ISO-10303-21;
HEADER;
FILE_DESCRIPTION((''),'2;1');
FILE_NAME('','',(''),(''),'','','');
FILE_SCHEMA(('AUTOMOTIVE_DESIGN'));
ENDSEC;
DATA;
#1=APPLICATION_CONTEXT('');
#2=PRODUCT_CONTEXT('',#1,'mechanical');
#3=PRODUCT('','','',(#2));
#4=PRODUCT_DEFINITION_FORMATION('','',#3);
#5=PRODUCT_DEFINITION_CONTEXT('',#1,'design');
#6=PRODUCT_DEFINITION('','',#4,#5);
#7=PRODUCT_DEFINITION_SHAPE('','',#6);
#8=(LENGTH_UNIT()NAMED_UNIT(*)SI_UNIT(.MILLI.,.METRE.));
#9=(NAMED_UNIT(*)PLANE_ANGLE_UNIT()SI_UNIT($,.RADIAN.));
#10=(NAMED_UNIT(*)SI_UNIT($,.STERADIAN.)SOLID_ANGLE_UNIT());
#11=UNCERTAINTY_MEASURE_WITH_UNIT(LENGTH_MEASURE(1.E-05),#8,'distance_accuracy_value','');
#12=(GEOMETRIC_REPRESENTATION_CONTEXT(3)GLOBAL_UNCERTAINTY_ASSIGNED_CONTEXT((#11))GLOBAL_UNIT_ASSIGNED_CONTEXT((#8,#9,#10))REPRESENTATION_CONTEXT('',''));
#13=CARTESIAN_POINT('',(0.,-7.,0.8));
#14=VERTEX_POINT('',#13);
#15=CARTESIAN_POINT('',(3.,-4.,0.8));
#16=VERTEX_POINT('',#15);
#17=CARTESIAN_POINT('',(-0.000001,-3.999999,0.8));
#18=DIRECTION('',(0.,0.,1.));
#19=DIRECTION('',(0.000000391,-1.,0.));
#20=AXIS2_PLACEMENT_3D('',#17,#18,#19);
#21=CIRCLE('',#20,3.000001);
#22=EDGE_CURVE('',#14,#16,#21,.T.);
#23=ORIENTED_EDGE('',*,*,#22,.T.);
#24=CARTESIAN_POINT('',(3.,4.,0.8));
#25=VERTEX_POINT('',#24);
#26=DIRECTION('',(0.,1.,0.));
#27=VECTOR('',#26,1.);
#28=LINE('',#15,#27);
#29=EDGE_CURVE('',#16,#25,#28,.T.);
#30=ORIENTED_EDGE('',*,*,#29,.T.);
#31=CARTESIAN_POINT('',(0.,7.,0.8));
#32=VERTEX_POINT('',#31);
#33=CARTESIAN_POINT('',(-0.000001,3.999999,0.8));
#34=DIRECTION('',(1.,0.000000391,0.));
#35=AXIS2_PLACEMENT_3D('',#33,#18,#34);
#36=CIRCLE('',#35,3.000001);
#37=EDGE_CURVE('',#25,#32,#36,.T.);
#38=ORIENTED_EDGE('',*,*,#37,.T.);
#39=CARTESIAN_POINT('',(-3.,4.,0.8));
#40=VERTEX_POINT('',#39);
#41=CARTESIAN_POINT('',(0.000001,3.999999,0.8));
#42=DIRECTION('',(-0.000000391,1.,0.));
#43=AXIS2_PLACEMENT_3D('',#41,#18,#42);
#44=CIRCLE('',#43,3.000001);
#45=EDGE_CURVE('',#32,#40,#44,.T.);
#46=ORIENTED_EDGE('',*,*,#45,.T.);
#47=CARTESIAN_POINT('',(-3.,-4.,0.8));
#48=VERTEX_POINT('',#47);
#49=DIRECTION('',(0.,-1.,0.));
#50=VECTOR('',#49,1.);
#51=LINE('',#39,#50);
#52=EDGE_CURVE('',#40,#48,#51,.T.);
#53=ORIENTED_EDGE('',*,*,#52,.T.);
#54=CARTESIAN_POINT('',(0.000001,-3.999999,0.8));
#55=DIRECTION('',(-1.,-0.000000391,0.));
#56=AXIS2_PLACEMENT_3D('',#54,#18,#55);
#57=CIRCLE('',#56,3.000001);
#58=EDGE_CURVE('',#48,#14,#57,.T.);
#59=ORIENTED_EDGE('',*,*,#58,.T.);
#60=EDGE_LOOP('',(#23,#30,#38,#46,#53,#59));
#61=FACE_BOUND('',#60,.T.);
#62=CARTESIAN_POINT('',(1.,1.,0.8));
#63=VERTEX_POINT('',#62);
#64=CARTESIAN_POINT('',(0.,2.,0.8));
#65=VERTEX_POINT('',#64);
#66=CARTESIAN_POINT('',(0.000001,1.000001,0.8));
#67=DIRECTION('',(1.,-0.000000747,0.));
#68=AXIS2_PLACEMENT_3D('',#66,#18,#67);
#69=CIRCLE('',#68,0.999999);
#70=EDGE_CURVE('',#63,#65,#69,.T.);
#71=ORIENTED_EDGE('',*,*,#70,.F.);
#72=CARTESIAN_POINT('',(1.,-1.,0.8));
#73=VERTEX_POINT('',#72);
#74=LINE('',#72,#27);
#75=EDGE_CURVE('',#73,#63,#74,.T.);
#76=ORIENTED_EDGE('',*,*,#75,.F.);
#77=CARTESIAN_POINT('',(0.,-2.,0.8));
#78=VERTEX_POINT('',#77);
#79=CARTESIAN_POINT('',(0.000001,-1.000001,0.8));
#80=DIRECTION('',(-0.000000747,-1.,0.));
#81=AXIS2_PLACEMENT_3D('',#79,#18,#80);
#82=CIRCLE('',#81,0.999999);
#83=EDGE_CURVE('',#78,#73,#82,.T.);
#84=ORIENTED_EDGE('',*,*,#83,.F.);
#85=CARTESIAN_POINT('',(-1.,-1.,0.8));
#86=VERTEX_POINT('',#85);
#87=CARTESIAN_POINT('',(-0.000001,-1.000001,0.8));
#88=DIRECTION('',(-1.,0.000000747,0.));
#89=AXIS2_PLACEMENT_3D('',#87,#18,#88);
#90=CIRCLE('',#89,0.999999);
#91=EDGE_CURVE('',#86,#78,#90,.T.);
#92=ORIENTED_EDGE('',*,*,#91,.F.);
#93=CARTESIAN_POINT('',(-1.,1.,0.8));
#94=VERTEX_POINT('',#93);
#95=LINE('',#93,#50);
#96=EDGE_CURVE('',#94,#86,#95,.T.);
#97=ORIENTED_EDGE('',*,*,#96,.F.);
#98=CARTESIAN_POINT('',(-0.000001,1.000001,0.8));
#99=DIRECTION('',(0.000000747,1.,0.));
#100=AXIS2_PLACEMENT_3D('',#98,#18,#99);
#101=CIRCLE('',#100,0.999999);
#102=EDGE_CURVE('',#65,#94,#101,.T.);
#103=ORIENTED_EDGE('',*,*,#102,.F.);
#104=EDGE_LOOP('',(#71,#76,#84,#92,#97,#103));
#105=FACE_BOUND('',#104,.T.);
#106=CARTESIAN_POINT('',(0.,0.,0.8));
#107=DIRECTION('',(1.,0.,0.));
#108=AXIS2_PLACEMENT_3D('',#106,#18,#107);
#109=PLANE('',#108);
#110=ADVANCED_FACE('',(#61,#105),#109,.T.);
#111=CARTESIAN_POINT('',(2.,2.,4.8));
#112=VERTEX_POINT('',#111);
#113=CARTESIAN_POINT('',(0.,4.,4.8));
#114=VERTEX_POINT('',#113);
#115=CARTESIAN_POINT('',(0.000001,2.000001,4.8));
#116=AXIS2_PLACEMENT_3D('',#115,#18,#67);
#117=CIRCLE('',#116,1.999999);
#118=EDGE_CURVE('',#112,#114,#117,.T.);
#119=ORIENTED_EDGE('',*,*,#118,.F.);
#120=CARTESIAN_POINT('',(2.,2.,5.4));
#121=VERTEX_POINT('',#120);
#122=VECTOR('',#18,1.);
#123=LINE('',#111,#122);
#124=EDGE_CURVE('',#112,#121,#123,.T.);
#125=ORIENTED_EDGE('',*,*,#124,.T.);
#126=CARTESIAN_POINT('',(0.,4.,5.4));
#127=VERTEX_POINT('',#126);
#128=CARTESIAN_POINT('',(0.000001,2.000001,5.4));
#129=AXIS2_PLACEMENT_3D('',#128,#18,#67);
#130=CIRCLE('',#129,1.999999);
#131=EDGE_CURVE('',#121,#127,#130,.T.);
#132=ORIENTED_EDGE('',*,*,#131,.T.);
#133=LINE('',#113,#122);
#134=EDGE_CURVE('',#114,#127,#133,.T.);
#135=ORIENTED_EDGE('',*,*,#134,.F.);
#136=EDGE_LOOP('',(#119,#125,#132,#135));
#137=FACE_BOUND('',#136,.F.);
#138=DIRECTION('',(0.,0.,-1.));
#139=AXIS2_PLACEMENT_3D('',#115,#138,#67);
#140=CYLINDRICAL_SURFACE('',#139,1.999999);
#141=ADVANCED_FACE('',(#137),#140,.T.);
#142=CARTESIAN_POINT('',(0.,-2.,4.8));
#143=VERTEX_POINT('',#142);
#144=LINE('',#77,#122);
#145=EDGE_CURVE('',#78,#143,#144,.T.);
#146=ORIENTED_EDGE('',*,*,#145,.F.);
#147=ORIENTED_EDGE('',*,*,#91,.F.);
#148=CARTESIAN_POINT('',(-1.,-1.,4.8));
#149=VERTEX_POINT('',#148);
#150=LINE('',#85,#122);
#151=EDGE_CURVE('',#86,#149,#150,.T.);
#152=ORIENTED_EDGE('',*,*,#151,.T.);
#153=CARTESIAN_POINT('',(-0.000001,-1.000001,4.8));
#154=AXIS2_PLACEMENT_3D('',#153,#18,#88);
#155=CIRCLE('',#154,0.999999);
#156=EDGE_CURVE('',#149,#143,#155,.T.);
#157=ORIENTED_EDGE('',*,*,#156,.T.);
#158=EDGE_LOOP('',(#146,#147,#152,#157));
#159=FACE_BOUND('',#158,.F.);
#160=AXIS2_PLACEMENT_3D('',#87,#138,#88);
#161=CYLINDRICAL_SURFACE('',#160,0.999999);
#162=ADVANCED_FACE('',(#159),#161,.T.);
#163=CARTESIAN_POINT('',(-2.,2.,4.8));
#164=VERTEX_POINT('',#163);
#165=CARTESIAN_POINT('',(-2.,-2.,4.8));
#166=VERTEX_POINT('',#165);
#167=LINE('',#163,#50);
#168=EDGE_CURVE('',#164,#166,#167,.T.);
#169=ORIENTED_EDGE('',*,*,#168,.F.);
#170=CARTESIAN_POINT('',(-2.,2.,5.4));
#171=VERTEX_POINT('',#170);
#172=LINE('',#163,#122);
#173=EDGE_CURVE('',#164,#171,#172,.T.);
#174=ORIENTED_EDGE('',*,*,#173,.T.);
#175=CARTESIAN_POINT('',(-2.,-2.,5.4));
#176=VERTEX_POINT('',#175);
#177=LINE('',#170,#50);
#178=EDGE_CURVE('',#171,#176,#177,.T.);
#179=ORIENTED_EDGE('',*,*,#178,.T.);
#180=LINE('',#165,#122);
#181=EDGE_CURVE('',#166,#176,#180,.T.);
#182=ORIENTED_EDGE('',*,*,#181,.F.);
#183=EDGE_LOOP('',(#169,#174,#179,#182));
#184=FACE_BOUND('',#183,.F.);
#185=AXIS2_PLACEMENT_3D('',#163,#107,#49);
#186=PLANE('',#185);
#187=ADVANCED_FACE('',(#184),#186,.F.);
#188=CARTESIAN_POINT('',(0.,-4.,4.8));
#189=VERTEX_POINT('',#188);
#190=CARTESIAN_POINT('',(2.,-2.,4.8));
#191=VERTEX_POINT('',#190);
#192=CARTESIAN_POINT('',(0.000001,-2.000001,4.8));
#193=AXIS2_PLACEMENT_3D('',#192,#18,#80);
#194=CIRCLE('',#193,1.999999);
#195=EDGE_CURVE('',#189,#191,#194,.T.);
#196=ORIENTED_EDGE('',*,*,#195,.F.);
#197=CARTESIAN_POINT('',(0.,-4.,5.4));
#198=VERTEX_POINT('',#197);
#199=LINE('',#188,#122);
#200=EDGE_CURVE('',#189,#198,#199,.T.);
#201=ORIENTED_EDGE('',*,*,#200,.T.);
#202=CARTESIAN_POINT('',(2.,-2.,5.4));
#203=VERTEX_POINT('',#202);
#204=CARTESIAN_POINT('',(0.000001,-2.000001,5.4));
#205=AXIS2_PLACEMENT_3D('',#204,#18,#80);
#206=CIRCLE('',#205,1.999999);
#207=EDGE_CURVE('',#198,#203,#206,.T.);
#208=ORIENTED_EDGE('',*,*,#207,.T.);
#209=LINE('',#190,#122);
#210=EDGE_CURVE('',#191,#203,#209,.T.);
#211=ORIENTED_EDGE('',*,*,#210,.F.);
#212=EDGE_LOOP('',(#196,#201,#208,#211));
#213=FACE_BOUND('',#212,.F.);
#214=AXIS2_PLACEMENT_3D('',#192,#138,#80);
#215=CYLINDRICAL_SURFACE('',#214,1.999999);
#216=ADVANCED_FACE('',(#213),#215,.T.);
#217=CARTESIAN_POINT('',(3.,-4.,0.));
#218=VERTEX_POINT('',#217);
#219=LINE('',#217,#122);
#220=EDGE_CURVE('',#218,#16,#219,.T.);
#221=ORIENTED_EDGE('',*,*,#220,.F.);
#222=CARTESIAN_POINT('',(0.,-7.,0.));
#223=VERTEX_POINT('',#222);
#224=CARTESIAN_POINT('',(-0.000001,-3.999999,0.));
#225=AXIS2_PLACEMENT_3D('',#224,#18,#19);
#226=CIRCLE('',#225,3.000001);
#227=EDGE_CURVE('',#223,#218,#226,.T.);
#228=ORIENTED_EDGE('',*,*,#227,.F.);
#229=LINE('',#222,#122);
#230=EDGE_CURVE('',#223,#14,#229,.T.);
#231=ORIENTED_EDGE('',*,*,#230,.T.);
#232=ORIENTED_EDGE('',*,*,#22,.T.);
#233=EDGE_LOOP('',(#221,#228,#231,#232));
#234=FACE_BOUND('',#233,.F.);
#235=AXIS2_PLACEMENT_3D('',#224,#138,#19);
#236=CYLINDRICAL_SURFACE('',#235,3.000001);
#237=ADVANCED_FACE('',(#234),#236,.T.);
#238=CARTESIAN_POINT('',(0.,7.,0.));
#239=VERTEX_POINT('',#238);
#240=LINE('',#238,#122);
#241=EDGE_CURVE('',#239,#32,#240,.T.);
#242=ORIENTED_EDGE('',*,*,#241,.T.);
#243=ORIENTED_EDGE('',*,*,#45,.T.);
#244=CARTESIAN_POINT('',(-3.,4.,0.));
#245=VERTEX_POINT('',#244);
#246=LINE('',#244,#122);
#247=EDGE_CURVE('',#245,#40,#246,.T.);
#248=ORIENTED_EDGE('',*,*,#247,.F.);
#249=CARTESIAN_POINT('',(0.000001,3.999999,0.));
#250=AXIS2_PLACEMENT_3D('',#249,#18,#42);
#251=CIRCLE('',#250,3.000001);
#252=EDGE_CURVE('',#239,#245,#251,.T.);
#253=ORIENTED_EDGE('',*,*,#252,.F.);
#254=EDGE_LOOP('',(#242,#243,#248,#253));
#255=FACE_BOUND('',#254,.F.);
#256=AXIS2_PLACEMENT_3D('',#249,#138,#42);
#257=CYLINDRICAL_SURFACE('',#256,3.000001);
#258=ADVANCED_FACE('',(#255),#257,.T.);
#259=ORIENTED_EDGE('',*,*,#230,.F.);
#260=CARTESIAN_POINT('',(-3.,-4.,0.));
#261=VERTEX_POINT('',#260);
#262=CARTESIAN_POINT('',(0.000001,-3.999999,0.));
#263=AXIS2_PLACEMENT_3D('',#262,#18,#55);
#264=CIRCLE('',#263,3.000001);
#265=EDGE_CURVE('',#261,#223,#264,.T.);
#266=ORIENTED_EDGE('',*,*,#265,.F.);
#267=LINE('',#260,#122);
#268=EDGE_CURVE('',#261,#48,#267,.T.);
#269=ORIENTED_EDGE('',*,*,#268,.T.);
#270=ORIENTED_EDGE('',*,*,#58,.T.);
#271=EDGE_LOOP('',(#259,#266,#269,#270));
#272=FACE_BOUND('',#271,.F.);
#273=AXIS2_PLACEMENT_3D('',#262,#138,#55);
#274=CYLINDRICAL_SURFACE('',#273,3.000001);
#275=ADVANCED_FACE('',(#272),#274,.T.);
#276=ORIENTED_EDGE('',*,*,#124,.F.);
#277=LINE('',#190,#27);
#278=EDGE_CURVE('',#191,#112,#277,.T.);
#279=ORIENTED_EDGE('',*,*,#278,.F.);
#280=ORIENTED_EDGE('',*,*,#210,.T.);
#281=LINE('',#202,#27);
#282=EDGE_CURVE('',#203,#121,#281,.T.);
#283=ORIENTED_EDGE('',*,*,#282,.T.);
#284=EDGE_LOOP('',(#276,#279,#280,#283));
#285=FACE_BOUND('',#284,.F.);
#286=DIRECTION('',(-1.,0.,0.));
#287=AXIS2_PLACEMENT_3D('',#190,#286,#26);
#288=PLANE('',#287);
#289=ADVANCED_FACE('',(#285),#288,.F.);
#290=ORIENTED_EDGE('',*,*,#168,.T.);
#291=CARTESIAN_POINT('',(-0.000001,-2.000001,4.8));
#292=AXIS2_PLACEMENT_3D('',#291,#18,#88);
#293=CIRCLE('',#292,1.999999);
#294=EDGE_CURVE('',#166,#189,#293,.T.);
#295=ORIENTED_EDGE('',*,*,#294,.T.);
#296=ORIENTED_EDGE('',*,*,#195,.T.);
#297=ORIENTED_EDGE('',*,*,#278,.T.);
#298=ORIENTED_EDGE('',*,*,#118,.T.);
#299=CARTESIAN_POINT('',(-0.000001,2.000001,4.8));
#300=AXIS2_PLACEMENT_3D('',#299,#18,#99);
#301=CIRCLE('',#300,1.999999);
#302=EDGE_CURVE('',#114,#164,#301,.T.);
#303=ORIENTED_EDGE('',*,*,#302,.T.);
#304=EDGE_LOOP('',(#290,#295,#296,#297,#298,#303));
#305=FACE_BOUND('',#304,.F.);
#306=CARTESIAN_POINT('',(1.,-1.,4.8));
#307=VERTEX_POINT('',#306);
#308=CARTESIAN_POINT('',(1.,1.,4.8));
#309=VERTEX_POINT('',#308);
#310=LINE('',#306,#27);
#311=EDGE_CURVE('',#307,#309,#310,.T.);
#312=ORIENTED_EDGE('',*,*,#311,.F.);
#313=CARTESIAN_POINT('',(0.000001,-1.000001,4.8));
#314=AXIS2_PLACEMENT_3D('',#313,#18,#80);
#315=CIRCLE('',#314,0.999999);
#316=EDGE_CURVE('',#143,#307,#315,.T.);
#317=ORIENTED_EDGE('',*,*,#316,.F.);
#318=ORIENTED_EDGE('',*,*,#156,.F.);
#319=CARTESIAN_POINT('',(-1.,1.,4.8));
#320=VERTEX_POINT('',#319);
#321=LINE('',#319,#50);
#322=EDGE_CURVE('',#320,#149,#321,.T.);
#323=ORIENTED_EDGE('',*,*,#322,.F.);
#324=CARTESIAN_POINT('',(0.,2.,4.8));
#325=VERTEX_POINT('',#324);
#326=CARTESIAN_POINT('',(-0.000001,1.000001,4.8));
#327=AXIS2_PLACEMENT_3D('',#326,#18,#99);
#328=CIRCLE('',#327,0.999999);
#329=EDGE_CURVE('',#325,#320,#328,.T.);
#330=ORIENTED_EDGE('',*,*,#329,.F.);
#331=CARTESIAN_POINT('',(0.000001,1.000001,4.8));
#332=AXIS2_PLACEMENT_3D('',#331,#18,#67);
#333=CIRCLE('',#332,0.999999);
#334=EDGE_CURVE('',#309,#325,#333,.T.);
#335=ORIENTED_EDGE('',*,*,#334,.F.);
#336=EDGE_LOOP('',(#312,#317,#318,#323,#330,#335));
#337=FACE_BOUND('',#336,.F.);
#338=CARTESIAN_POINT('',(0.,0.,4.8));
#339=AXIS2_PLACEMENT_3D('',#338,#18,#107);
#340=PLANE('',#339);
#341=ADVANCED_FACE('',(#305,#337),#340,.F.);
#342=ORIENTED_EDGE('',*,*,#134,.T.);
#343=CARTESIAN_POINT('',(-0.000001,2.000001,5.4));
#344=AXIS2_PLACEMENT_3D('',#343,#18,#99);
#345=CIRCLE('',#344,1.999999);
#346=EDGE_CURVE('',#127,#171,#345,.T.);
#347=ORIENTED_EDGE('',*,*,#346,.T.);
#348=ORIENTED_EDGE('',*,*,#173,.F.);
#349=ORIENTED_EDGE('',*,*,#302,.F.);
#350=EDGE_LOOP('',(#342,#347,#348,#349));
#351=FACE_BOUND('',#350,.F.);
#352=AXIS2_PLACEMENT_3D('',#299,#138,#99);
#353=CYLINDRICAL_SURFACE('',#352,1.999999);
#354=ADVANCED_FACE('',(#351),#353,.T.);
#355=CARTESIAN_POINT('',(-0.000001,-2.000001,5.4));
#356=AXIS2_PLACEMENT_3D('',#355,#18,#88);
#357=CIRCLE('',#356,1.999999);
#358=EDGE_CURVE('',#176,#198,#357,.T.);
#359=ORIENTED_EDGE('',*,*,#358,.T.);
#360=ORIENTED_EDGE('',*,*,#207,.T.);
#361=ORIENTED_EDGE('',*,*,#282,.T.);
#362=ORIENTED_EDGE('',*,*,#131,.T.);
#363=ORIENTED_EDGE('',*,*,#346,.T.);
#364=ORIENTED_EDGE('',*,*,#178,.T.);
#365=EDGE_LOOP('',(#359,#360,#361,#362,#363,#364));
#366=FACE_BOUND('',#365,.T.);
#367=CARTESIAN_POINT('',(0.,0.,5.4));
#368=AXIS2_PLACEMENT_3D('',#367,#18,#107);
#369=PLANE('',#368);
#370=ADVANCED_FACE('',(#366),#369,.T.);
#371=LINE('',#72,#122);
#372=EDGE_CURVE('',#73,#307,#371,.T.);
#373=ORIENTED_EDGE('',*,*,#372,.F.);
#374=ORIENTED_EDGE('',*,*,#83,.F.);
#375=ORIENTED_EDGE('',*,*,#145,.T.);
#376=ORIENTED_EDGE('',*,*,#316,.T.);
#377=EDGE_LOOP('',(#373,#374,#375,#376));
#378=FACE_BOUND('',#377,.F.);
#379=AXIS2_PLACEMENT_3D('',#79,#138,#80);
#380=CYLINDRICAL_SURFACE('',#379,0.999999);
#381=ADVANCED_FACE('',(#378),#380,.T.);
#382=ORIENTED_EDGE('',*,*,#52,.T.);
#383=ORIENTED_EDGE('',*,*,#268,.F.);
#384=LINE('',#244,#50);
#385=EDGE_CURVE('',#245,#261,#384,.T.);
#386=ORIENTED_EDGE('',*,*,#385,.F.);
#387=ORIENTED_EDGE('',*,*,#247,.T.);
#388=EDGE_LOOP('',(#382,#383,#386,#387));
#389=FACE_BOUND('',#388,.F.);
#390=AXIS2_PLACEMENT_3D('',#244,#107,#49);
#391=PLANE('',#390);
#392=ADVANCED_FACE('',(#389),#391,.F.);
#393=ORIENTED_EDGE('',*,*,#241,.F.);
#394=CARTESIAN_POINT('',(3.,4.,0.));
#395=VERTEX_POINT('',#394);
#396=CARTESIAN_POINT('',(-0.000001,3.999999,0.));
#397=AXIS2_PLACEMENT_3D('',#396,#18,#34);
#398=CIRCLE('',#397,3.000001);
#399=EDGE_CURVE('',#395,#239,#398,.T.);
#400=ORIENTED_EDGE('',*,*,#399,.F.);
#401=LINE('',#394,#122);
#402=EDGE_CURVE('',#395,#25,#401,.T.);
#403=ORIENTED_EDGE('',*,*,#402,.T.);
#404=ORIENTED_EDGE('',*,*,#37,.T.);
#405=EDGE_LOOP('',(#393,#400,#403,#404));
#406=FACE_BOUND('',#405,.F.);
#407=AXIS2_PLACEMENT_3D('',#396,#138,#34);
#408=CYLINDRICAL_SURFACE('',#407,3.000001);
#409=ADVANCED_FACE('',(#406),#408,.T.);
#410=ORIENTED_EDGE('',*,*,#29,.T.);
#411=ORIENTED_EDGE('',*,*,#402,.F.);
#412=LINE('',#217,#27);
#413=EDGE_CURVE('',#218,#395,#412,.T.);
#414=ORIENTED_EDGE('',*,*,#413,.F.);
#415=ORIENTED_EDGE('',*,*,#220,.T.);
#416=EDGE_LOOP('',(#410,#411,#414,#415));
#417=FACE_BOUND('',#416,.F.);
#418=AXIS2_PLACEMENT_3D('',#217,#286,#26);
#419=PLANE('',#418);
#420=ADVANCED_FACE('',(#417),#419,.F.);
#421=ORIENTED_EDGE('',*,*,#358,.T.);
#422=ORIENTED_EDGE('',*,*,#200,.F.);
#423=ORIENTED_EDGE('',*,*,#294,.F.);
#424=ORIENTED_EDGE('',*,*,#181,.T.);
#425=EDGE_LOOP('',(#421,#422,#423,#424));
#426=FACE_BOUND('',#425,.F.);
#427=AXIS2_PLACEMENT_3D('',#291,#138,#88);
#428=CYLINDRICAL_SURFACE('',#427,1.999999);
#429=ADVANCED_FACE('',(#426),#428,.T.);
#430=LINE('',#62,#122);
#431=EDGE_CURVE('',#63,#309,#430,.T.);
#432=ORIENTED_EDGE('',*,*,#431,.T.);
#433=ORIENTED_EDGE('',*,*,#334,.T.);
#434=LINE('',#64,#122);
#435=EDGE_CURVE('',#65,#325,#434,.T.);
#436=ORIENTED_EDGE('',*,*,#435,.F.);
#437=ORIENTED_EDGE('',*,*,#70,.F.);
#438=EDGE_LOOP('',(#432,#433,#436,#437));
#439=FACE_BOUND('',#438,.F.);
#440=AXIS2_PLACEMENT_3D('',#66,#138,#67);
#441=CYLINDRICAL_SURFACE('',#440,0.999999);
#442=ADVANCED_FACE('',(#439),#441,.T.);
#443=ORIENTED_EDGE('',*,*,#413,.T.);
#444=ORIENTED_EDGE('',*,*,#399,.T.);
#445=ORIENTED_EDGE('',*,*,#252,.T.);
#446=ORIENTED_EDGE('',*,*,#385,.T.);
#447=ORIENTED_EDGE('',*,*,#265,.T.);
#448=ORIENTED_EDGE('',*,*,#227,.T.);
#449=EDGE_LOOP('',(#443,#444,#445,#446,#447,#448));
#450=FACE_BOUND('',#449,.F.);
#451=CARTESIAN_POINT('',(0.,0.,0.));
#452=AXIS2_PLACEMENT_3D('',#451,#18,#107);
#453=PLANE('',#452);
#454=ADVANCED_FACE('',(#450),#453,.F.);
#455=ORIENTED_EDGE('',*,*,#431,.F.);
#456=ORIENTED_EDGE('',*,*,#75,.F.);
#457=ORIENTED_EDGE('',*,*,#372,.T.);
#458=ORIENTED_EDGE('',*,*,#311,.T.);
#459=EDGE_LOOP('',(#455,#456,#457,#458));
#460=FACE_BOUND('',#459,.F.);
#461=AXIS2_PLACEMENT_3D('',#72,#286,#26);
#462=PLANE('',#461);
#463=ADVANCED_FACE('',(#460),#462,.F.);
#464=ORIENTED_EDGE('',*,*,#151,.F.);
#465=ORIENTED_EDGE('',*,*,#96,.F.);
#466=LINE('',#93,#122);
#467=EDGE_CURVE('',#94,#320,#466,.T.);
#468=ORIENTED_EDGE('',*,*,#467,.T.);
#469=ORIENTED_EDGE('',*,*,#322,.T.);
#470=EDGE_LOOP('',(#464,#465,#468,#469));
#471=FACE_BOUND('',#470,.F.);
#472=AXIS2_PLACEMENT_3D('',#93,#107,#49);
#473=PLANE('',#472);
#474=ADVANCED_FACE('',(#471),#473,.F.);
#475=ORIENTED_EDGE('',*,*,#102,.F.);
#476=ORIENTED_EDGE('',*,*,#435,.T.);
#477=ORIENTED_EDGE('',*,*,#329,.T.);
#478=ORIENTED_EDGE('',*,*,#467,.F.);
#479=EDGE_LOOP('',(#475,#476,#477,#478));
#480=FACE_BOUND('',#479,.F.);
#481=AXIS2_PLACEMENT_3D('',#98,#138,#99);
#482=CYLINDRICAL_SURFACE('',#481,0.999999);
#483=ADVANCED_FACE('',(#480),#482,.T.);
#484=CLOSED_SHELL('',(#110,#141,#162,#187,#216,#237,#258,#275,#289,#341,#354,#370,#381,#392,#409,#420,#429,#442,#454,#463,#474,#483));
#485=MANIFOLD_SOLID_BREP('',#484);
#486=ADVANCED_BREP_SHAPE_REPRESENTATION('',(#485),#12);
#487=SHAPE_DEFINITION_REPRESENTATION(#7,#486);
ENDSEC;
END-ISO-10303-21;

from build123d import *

# Parameters (mm, degrees)
F1_DEPTH = 0.8
F3_DEPTH = 4
F5_DEPTH = 0.6


with BuildPart() as f1:
    # F0 (on Top) → F1 (new body)
    with BuildSketch(Plane.XY):
        with BuildLine():
            ThreePointArc((0, 7), (-2.12132, 6.12132), (-3, 4))
            Line((-3, 4), (-3, -4))
            ThreePointArc((-3, -4), (-2.12132, -6.12132), (0, -7))
            ThreePointArc((0, -7), (2.12132, -6.12132), (3, -4))
            Line((3, -4), (3, 4))
            ThreePointArc((3, 4), (2.12132, 6.12132), (0, 7))
        make_face()
    extrude(amount=F1_DEPTH)

    # F2 (on face) → F3 (join)
    with BuildSketch(Plane.XY.offset(0.8)):
        with BuildLine():
            ThreePointArc((0, 2), (-0.707107, 1.707107), (-1, 1))
            Line((-1, 1), (-1, -1))
            ThreePointArc((-1, -1), (-0.707107, -1.707107), (0, -2))
            ThreePointArc((0, -2), (0.707107, -1.707107), (1, -1))
            Line((1, -1), (1, 1))
            ThreePointArc((1, 1), (0.707107, 1.707107), (0, 2))
        make_face()
    extrude(amount=F3_DEPTH)

    # F4 (on face) → F5 (join)
    with BuildSketch(Plane.XY.offset(4.8)):
        with BuildLine():
            ThreePointArc((0, 4), (-1.414214, 3.414214), (-2, 2))
            Line((-2, 2), (-2, -2))
            ThreePointArc((-2, -2), (-1.414214, -3.414214), (0, -4))
            ThreePointArc((0, -4), (1.414214, -3.414214), (2, -2))
            Line((2, -2), (2, 2))
            ThreePointArc((2, 2), (1.414214, 3.414214), (0, 4))
        make_face()
    extrude(amount=F5_DEPTH)


solid = f1.part
